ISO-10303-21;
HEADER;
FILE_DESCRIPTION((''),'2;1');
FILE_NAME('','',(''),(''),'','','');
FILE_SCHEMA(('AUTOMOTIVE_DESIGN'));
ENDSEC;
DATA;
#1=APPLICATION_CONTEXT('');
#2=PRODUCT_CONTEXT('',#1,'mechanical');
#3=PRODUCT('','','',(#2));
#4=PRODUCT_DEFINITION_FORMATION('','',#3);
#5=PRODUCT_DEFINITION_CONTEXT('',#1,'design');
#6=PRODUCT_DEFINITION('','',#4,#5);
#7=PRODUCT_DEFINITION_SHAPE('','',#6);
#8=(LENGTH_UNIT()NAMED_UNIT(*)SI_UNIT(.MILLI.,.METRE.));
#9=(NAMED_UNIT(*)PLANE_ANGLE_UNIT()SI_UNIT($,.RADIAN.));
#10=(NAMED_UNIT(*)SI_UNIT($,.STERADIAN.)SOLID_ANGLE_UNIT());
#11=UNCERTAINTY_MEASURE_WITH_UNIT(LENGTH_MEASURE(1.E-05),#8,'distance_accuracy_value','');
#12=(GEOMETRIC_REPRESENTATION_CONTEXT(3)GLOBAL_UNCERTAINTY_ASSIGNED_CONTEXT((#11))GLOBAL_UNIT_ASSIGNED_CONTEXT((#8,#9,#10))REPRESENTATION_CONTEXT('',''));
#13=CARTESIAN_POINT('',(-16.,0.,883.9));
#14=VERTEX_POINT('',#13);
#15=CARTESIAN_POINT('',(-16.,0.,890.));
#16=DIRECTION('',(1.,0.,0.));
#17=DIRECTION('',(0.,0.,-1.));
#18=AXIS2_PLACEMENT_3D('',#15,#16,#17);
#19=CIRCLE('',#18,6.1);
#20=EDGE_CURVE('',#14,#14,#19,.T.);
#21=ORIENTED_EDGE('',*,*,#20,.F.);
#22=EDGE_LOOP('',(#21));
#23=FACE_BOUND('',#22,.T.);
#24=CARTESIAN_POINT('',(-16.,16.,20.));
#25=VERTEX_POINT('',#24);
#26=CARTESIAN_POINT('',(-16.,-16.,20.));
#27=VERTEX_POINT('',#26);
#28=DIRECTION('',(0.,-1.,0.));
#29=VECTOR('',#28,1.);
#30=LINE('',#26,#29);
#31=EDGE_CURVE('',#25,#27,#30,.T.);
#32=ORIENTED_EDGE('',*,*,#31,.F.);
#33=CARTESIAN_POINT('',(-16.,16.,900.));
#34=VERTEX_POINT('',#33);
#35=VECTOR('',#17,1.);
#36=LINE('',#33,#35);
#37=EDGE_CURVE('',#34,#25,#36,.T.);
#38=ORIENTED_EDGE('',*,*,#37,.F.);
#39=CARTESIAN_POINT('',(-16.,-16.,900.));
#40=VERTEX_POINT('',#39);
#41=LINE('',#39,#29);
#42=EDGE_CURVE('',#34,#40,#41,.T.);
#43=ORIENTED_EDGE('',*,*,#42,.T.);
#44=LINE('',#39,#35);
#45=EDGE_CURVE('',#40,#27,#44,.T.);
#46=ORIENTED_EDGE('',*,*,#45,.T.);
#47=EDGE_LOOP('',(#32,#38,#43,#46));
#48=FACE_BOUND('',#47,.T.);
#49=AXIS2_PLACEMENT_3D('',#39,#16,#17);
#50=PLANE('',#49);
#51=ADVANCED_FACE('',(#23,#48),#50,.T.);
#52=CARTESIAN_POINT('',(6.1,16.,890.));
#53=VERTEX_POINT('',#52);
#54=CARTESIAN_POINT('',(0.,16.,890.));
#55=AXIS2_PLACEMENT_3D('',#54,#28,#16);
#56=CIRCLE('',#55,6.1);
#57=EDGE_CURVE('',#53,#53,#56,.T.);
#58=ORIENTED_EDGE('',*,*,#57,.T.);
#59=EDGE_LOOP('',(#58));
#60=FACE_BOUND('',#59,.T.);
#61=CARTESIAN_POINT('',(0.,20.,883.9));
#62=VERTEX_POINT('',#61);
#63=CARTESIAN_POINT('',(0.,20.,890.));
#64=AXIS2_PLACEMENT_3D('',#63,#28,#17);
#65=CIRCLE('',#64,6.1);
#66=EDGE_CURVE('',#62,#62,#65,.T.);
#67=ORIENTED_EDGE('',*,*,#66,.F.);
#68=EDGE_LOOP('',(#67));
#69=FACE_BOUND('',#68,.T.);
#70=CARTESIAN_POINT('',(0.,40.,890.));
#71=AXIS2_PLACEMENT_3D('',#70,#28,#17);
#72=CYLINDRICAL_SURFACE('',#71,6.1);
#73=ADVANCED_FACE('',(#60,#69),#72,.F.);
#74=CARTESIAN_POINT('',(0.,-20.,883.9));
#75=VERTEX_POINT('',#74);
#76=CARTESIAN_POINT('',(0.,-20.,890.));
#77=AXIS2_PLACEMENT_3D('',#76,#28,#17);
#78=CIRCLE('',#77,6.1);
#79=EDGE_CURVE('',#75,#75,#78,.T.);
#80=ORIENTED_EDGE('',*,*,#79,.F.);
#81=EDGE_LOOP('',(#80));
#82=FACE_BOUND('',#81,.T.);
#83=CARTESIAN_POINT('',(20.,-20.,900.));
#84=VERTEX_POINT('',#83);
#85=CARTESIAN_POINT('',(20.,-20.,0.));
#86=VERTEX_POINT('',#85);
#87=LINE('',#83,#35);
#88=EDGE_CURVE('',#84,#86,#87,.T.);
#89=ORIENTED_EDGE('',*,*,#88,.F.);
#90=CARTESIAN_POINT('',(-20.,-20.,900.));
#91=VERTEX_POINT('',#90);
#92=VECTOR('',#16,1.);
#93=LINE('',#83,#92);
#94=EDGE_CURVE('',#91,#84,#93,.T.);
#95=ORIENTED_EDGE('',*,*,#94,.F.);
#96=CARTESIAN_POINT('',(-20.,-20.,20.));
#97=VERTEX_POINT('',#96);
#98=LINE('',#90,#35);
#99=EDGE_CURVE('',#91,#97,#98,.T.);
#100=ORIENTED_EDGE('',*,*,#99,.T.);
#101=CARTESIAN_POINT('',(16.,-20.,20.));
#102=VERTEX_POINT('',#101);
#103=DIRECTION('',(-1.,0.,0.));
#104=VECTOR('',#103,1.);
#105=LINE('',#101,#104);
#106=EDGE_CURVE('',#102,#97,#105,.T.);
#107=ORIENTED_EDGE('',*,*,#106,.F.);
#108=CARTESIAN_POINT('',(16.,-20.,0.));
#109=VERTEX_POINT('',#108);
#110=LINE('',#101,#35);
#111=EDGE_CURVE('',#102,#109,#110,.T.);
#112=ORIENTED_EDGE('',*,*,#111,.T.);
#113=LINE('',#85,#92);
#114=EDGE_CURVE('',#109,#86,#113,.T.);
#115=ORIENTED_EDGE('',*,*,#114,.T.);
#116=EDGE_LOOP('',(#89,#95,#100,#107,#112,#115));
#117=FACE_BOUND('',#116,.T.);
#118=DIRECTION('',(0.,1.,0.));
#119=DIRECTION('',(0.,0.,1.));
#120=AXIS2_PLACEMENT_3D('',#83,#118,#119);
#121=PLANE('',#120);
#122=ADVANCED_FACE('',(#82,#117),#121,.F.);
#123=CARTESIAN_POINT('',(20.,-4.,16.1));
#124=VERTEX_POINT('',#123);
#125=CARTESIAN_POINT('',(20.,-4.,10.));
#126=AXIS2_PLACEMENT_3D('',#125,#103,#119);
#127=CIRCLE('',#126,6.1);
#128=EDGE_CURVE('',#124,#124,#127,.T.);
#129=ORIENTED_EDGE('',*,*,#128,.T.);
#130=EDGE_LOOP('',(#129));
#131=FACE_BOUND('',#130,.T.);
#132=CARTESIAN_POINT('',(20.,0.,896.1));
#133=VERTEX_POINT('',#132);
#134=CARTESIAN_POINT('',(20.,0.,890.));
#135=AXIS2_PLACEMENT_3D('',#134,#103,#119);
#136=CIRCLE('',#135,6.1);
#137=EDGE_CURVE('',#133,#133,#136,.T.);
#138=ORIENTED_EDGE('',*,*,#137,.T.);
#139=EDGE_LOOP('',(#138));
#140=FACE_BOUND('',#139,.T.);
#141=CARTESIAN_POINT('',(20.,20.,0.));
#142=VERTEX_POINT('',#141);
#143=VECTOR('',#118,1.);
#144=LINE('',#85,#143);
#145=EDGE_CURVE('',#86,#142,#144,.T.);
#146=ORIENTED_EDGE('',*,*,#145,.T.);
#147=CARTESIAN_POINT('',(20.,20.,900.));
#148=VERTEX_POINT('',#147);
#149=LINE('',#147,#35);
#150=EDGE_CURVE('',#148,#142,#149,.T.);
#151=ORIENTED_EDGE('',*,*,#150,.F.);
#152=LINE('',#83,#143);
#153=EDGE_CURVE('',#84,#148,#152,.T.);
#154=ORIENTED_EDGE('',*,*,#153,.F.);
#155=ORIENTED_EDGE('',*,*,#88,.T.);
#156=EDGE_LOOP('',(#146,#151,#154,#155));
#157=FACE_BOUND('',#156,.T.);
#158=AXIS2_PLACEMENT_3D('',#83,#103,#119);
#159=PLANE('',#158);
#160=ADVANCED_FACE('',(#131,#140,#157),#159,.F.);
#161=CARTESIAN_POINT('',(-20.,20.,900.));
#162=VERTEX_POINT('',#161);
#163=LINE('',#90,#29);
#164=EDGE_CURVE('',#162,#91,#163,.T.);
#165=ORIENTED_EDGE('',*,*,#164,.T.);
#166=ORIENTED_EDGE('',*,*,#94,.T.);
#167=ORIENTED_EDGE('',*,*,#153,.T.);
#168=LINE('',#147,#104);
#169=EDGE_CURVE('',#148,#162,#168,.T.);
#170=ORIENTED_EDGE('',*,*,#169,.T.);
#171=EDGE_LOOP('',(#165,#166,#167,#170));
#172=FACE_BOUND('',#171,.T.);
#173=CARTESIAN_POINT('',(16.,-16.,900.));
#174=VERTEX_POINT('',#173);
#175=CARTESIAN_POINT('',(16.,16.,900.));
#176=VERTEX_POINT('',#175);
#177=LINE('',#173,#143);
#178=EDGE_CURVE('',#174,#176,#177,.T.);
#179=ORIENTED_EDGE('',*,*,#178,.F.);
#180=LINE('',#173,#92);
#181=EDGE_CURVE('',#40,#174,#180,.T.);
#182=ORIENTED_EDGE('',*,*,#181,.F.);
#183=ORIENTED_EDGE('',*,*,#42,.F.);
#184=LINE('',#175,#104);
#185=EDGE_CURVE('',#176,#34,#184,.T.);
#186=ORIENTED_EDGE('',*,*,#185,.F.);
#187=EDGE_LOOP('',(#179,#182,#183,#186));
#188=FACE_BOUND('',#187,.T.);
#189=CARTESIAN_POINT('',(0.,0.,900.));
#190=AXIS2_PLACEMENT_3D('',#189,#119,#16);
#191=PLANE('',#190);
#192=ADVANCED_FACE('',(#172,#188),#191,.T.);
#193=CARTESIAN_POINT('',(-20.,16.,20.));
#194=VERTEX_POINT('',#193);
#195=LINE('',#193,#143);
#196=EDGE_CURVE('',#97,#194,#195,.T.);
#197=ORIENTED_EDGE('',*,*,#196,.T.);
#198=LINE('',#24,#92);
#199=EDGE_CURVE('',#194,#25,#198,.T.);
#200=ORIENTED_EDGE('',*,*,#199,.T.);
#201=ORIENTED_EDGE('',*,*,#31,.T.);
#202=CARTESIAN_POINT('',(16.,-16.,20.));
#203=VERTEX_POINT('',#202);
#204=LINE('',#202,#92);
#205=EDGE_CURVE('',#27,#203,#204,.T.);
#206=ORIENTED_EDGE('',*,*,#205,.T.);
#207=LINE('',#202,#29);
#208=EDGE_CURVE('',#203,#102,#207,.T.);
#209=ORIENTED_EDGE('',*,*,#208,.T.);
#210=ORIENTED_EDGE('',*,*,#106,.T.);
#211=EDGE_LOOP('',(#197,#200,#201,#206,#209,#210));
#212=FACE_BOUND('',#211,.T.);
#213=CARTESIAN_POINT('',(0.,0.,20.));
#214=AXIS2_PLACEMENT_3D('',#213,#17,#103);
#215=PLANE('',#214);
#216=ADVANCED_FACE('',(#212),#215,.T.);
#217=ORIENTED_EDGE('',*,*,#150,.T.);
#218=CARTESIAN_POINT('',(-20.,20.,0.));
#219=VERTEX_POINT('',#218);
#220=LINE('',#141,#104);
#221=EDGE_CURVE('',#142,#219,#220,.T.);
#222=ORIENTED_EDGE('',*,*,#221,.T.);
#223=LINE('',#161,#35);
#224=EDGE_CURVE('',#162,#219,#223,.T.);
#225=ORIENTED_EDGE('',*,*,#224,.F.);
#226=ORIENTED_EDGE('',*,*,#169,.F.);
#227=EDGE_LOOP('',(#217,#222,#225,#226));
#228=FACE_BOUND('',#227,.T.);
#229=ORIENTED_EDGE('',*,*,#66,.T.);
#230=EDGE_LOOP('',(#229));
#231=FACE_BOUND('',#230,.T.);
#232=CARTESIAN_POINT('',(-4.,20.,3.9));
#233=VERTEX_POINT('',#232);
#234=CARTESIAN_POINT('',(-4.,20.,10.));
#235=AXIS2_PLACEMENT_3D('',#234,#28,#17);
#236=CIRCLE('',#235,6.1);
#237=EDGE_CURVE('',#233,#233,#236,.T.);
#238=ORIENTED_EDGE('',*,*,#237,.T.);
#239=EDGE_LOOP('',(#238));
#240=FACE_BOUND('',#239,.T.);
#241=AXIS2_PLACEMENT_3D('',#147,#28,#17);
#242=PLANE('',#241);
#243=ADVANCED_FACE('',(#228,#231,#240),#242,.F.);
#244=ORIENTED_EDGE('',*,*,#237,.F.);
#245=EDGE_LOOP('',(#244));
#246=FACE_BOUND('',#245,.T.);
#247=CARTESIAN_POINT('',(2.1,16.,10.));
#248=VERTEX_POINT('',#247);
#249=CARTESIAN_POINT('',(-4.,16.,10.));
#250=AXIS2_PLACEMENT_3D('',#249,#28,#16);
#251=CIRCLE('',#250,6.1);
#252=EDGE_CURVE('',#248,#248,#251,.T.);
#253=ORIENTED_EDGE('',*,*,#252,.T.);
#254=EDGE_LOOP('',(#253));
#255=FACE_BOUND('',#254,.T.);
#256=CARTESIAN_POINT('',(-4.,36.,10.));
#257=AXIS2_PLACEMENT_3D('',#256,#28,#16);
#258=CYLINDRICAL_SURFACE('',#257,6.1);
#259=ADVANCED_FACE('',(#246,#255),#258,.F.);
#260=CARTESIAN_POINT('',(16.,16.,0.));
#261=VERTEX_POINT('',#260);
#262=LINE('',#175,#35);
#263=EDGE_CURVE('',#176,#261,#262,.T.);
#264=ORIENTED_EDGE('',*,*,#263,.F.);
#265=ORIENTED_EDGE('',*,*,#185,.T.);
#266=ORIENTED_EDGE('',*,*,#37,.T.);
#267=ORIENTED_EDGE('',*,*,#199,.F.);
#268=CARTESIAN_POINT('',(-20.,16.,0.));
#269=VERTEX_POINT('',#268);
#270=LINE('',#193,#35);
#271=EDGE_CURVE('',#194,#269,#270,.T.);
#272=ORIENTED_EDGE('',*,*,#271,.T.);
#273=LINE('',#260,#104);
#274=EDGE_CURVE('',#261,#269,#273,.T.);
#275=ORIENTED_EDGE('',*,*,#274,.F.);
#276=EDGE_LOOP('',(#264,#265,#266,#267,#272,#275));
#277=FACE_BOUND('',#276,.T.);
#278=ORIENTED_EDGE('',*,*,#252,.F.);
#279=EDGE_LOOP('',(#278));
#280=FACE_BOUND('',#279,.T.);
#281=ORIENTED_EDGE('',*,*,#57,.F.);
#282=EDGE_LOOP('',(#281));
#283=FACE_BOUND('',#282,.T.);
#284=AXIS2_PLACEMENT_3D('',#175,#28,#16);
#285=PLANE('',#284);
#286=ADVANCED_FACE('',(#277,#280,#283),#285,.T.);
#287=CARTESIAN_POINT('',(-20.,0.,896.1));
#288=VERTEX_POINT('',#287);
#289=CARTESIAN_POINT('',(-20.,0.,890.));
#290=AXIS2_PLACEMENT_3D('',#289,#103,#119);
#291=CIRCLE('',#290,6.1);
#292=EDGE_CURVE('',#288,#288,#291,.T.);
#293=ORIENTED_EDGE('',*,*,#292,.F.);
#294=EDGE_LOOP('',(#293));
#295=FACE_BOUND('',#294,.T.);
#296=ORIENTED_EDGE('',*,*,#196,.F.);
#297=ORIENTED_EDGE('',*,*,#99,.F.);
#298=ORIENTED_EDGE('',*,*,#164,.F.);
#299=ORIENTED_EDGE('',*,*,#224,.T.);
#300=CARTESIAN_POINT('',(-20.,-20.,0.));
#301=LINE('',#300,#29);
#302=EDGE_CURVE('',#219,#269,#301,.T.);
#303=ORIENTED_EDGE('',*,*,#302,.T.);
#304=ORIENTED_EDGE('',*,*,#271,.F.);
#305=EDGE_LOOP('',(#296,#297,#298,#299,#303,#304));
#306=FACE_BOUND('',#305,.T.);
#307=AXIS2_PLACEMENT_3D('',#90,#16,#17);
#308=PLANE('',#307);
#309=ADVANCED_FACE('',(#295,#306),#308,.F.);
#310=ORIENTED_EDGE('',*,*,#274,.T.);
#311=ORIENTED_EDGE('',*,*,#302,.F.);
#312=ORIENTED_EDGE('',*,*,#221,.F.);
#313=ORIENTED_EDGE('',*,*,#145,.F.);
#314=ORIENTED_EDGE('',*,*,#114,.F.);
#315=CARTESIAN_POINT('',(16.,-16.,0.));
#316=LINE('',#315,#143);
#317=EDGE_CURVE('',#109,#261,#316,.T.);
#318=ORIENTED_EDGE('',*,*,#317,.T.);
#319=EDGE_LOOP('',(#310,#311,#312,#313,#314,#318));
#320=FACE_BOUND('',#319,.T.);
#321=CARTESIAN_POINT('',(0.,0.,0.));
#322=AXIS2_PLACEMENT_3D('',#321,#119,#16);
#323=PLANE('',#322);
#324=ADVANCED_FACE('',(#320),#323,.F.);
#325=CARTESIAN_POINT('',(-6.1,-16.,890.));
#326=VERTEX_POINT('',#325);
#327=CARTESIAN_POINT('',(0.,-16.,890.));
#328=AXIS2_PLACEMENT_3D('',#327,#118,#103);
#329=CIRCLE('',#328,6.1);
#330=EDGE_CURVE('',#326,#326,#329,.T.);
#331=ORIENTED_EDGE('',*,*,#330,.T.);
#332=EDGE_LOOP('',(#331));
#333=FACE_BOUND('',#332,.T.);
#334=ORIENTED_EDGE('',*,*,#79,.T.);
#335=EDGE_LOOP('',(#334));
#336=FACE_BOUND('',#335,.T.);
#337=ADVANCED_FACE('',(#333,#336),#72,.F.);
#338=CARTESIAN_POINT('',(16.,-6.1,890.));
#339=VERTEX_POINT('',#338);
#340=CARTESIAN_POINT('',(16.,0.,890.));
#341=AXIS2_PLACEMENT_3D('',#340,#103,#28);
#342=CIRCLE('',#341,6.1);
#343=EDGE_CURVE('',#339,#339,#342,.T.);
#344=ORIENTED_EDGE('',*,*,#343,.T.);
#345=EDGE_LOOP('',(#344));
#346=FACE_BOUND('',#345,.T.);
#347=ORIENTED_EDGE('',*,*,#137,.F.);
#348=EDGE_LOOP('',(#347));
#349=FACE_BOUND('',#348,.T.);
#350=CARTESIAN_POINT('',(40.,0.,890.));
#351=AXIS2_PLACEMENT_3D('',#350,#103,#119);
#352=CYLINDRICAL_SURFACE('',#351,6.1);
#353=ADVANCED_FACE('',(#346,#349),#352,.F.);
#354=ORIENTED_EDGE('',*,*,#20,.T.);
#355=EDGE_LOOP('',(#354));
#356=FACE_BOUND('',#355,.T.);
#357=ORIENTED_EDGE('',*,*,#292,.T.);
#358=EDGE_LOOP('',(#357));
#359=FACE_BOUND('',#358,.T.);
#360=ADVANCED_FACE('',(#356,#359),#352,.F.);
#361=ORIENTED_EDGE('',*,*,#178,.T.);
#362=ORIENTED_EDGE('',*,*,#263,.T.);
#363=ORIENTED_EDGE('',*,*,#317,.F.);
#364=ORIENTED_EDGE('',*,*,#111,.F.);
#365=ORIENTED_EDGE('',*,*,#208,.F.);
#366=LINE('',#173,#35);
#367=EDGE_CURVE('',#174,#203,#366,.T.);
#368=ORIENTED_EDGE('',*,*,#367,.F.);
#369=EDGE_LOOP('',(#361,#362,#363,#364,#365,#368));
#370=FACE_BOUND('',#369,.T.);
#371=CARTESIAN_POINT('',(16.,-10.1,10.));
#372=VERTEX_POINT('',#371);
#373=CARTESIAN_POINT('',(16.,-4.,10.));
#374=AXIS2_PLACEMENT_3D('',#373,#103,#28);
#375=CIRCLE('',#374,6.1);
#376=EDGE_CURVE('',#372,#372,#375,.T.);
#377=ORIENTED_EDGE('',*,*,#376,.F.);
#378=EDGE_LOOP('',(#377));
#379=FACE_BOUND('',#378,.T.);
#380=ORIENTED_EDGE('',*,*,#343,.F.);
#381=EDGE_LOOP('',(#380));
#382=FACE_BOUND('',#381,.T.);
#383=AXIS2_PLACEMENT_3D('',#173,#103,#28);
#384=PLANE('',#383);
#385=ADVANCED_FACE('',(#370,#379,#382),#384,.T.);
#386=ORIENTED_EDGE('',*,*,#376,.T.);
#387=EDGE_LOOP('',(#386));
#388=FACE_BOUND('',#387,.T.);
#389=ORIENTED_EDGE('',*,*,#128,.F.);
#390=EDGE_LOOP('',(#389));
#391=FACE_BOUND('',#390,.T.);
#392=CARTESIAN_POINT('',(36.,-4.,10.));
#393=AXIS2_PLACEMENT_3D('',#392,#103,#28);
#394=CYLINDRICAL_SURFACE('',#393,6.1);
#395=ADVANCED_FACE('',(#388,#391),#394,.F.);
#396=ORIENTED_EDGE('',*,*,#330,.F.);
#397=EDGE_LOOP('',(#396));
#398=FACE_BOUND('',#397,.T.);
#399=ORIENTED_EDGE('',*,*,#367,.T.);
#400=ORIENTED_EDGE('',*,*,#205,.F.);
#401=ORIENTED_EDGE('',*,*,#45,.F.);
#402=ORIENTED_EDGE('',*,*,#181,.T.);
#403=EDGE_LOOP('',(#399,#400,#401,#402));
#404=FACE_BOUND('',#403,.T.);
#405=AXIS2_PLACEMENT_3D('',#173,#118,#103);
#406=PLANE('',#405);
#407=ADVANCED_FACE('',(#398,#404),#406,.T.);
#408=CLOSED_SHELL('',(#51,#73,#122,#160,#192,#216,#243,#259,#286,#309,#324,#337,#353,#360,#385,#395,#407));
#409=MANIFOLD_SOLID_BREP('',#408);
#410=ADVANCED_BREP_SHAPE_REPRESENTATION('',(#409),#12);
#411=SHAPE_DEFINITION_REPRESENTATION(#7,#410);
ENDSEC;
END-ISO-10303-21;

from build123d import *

# Parameters (mm, degrees)
SKETCH1_W           = 40
SKETCH1_H           = 40
SKETCH1_W_2         = 32
SKETCH1_H_2         = 32
BOSS_EXTRUDE1_DEPTH = 900
CUT_EXTRUDE1_DEPTH  = 20
SKETCH3_R           = 6.1
CUT_EXTRUDE2_DEPTH  = 20
SKETCH4_R           = 6.1
CUT_EXTRUDE3_DEPTH  = 20
SKETCH5_R           = 6.1
CUT_EXTRUDE4_DEPTH  = 60
SKETCH6_R           = 6.1
CUT_EXTRUDE5_DEPTH  = 60


with BuildPart() as part:
    # Sketch1 → Boss-Extrude1 (new body)
    with BuildSketch(Plane.XY):
        Rectangle(SKETCH1_W, SKETCH1_H)
        Rectangle(SKETCH1_W_2, SKETCH1_H_2, mode=Mode.SUBTRACT)
    extrude(amount=BOSS_EXTRUDE1_DEPTH)

    # Sketch2 → Cut-Extrude1 (cut)
    with BuildSketch(Plane(origin=(0, 0, 0), x_dir=(-1, 0, 0), z_dir=(0, 0, -1))):
        Polygon((-16, -16), (-16, -20), (20, -20), (20, 16), (16, 16), (16, -16), align=None)
    extrude(amount=-CUT_EXTRUDE1_DEPTH, mode=Mode.SUBTRACT)

    # Sketch3 → Cut-Extrude2 (cut)
    with BuildSketch(Plane.ZY.offset(-16)):
        with Locations((10, -4)):
            Circle(SKETCH3_R)
    extrude(amount=-CUT_EXTRUDE2_DEPTH, mode=Mode.SUBTRACT)

    # Sketch4 → Cut-Extrude3 (cut)
    with BuildSketch(Plane.XZ.offset(-16)):
        with Locations((-4, 10)):
            Circle(SKETCH4_R)
    extrude(amount=-CUT_EXTRUDE3_DEPTH, mode=Mode.SUBTRACT)

    # Sketch5 → Cut-Extrude4 (cut)
    with BuildSketch(Plane.XZ.offset(20)):
        with Locations((0, 890)):
            Circle(SKETCH5_R)
    extrude(amount=-CUT_EXTRUDE4_DEPTH, mode=Mode.SUBTRACT)

    # Sketch6 → Cut-Extrude5 (cut)
    with BuildSketch(Plane.ZY.offset(20)):
        with Locations((890, 0)):
            Circle(SKETCH6_R)
    extrude(amount=-CUT_EXTRUDE5_DEPTH, mode=Mode.SUBTRACT)


solid = part.part
